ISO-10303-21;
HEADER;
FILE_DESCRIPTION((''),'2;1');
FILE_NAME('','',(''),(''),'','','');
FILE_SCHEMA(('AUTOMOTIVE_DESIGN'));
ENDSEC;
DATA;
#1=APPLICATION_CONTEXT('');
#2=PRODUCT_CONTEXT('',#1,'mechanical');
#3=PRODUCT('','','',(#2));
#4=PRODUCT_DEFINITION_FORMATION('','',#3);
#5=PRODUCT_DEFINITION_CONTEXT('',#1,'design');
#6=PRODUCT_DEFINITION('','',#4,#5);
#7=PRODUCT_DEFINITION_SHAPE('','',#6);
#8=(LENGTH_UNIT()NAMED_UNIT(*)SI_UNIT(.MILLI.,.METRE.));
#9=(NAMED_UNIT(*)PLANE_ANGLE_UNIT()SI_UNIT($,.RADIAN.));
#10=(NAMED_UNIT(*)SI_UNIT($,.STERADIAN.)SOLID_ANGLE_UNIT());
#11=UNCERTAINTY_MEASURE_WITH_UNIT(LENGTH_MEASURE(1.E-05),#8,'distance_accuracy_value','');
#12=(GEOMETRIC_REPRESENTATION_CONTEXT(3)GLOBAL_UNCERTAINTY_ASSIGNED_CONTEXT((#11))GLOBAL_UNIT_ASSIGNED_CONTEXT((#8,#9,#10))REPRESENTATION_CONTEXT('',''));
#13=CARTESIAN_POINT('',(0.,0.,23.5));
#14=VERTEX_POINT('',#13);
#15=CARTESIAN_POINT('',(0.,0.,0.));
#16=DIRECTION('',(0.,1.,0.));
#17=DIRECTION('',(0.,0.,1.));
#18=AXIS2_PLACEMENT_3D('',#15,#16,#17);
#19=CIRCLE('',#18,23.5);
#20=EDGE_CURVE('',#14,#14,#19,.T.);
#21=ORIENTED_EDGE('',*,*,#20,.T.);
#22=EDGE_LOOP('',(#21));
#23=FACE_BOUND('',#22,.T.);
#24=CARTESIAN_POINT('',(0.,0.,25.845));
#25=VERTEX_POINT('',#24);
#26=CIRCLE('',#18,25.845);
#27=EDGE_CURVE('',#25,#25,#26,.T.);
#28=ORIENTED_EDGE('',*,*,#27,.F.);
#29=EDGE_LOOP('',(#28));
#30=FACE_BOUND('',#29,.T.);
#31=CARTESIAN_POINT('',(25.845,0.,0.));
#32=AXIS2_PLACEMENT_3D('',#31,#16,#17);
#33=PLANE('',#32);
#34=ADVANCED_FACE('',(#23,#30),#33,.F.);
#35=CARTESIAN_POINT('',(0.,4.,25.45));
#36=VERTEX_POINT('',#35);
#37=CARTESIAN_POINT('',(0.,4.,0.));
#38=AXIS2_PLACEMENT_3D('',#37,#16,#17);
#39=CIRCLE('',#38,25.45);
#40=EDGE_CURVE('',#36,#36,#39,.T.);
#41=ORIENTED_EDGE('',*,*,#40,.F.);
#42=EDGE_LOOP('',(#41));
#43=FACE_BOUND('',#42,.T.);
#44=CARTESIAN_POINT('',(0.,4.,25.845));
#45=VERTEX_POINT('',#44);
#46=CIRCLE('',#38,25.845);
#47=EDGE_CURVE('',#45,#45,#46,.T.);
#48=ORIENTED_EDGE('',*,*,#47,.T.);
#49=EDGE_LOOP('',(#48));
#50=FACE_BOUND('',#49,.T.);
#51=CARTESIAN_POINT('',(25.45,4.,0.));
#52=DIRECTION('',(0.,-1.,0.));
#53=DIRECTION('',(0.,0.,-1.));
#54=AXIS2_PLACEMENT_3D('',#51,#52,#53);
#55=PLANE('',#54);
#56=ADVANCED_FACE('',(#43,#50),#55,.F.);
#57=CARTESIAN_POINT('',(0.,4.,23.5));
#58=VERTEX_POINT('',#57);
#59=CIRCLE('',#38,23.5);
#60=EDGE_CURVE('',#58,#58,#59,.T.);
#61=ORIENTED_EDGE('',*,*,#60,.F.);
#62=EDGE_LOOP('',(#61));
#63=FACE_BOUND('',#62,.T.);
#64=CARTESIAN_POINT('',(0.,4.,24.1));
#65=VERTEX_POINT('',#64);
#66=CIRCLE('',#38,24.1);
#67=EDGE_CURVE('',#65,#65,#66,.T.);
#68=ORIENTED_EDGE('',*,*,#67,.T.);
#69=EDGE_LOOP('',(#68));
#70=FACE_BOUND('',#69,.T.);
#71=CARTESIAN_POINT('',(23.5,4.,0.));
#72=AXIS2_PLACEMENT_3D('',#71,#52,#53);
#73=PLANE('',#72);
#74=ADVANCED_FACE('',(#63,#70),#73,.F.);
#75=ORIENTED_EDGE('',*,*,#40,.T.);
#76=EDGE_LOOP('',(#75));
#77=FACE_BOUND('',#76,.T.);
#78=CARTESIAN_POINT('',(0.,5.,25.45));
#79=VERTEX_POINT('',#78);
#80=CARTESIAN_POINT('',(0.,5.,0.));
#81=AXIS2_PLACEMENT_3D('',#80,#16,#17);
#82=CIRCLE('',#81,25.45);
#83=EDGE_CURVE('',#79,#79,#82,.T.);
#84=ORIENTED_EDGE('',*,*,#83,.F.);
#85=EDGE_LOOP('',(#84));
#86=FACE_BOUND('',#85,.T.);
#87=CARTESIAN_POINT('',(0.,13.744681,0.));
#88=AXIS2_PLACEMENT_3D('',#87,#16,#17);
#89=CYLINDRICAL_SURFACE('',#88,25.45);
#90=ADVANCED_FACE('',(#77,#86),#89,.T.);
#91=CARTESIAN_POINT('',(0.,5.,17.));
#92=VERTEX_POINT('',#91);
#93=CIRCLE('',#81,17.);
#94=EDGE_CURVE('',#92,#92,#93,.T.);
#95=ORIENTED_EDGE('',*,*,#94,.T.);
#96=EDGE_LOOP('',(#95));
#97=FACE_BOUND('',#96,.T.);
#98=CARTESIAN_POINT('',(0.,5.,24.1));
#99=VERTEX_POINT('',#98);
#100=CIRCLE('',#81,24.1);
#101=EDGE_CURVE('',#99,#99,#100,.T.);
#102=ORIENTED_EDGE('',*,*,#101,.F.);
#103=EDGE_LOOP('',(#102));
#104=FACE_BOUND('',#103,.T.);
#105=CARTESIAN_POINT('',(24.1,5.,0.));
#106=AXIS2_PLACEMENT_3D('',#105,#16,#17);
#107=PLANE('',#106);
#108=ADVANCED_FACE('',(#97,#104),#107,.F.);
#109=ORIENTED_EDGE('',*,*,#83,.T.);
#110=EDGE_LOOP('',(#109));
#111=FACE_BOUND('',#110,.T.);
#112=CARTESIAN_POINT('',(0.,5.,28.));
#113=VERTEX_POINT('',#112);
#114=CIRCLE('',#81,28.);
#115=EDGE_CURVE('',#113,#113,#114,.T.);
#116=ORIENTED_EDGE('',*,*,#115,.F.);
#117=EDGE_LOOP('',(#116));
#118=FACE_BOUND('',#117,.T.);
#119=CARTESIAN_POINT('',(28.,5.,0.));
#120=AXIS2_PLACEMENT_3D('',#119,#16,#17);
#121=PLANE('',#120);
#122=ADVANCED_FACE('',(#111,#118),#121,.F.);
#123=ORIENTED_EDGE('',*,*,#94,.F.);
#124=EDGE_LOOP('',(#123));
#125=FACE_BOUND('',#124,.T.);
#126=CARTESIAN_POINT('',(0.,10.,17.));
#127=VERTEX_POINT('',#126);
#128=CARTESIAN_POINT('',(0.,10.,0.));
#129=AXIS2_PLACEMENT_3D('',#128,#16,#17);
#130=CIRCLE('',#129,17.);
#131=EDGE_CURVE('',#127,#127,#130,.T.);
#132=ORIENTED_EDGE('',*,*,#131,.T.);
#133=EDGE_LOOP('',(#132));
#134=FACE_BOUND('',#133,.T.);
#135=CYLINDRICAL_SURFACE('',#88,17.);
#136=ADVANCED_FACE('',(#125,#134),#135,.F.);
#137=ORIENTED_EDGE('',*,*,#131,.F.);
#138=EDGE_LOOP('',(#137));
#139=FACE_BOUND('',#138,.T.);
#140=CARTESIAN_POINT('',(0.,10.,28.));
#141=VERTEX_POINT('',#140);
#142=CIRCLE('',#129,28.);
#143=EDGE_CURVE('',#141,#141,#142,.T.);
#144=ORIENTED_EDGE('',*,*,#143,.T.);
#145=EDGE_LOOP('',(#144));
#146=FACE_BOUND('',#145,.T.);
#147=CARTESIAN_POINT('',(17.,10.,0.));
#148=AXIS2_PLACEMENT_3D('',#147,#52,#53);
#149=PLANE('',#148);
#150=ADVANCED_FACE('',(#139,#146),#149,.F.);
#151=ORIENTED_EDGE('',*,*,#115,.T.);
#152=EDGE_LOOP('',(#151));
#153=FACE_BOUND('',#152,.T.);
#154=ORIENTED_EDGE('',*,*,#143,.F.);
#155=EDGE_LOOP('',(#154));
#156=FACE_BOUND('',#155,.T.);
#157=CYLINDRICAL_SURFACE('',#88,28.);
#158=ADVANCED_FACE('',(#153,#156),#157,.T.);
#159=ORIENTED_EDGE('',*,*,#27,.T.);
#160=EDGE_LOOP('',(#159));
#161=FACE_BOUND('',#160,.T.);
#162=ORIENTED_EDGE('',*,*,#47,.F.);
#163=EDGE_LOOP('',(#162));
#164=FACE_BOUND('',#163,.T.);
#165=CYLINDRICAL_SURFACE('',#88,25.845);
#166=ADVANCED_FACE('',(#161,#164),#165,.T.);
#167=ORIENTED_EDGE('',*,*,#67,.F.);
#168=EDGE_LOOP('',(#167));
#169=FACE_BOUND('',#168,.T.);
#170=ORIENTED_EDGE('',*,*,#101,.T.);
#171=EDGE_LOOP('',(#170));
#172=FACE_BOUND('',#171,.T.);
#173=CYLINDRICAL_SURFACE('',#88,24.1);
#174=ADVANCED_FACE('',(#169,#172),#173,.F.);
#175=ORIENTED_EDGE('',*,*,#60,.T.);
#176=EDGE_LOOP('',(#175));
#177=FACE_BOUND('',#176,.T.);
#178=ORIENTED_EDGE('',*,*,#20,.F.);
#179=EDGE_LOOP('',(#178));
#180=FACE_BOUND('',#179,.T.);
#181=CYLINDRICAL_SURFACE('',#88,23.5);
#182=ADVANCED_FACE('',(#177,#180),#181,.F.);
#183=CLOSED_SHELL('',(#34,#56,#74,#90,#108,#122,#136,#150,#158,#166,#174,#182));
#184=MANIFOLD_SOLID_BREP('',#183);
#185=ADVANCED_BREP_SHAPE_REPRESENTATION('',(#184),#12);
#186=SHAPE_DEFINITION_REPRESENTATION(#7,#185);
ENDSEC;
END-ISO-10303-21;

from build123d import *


with BuildPart() as part:
    # 草图1 → 旋转1 (revolve)
    with BuildSketch(Plane.XY, mode=Mode.PRIVATE) as revolve_1_sk:
        Polygon((25.845, 0), (23.5, 0), (23.5, 4), (24.1, 4), (24.1, 5), (17, 5), (17, 10), (28, 10), (28, 5), (25.45, 5), (25.45, 4), (25.845, 4), align=None)
    revolve(revolve_1_sk.sketch.rotate(Axis((0, 13.744680851, 0), (0, -1, 0)), 90), axis=Axis((0, 13.744680851, 0), (0, -1, 0)))  # turned: the seam where the file's is


solid = part.part
